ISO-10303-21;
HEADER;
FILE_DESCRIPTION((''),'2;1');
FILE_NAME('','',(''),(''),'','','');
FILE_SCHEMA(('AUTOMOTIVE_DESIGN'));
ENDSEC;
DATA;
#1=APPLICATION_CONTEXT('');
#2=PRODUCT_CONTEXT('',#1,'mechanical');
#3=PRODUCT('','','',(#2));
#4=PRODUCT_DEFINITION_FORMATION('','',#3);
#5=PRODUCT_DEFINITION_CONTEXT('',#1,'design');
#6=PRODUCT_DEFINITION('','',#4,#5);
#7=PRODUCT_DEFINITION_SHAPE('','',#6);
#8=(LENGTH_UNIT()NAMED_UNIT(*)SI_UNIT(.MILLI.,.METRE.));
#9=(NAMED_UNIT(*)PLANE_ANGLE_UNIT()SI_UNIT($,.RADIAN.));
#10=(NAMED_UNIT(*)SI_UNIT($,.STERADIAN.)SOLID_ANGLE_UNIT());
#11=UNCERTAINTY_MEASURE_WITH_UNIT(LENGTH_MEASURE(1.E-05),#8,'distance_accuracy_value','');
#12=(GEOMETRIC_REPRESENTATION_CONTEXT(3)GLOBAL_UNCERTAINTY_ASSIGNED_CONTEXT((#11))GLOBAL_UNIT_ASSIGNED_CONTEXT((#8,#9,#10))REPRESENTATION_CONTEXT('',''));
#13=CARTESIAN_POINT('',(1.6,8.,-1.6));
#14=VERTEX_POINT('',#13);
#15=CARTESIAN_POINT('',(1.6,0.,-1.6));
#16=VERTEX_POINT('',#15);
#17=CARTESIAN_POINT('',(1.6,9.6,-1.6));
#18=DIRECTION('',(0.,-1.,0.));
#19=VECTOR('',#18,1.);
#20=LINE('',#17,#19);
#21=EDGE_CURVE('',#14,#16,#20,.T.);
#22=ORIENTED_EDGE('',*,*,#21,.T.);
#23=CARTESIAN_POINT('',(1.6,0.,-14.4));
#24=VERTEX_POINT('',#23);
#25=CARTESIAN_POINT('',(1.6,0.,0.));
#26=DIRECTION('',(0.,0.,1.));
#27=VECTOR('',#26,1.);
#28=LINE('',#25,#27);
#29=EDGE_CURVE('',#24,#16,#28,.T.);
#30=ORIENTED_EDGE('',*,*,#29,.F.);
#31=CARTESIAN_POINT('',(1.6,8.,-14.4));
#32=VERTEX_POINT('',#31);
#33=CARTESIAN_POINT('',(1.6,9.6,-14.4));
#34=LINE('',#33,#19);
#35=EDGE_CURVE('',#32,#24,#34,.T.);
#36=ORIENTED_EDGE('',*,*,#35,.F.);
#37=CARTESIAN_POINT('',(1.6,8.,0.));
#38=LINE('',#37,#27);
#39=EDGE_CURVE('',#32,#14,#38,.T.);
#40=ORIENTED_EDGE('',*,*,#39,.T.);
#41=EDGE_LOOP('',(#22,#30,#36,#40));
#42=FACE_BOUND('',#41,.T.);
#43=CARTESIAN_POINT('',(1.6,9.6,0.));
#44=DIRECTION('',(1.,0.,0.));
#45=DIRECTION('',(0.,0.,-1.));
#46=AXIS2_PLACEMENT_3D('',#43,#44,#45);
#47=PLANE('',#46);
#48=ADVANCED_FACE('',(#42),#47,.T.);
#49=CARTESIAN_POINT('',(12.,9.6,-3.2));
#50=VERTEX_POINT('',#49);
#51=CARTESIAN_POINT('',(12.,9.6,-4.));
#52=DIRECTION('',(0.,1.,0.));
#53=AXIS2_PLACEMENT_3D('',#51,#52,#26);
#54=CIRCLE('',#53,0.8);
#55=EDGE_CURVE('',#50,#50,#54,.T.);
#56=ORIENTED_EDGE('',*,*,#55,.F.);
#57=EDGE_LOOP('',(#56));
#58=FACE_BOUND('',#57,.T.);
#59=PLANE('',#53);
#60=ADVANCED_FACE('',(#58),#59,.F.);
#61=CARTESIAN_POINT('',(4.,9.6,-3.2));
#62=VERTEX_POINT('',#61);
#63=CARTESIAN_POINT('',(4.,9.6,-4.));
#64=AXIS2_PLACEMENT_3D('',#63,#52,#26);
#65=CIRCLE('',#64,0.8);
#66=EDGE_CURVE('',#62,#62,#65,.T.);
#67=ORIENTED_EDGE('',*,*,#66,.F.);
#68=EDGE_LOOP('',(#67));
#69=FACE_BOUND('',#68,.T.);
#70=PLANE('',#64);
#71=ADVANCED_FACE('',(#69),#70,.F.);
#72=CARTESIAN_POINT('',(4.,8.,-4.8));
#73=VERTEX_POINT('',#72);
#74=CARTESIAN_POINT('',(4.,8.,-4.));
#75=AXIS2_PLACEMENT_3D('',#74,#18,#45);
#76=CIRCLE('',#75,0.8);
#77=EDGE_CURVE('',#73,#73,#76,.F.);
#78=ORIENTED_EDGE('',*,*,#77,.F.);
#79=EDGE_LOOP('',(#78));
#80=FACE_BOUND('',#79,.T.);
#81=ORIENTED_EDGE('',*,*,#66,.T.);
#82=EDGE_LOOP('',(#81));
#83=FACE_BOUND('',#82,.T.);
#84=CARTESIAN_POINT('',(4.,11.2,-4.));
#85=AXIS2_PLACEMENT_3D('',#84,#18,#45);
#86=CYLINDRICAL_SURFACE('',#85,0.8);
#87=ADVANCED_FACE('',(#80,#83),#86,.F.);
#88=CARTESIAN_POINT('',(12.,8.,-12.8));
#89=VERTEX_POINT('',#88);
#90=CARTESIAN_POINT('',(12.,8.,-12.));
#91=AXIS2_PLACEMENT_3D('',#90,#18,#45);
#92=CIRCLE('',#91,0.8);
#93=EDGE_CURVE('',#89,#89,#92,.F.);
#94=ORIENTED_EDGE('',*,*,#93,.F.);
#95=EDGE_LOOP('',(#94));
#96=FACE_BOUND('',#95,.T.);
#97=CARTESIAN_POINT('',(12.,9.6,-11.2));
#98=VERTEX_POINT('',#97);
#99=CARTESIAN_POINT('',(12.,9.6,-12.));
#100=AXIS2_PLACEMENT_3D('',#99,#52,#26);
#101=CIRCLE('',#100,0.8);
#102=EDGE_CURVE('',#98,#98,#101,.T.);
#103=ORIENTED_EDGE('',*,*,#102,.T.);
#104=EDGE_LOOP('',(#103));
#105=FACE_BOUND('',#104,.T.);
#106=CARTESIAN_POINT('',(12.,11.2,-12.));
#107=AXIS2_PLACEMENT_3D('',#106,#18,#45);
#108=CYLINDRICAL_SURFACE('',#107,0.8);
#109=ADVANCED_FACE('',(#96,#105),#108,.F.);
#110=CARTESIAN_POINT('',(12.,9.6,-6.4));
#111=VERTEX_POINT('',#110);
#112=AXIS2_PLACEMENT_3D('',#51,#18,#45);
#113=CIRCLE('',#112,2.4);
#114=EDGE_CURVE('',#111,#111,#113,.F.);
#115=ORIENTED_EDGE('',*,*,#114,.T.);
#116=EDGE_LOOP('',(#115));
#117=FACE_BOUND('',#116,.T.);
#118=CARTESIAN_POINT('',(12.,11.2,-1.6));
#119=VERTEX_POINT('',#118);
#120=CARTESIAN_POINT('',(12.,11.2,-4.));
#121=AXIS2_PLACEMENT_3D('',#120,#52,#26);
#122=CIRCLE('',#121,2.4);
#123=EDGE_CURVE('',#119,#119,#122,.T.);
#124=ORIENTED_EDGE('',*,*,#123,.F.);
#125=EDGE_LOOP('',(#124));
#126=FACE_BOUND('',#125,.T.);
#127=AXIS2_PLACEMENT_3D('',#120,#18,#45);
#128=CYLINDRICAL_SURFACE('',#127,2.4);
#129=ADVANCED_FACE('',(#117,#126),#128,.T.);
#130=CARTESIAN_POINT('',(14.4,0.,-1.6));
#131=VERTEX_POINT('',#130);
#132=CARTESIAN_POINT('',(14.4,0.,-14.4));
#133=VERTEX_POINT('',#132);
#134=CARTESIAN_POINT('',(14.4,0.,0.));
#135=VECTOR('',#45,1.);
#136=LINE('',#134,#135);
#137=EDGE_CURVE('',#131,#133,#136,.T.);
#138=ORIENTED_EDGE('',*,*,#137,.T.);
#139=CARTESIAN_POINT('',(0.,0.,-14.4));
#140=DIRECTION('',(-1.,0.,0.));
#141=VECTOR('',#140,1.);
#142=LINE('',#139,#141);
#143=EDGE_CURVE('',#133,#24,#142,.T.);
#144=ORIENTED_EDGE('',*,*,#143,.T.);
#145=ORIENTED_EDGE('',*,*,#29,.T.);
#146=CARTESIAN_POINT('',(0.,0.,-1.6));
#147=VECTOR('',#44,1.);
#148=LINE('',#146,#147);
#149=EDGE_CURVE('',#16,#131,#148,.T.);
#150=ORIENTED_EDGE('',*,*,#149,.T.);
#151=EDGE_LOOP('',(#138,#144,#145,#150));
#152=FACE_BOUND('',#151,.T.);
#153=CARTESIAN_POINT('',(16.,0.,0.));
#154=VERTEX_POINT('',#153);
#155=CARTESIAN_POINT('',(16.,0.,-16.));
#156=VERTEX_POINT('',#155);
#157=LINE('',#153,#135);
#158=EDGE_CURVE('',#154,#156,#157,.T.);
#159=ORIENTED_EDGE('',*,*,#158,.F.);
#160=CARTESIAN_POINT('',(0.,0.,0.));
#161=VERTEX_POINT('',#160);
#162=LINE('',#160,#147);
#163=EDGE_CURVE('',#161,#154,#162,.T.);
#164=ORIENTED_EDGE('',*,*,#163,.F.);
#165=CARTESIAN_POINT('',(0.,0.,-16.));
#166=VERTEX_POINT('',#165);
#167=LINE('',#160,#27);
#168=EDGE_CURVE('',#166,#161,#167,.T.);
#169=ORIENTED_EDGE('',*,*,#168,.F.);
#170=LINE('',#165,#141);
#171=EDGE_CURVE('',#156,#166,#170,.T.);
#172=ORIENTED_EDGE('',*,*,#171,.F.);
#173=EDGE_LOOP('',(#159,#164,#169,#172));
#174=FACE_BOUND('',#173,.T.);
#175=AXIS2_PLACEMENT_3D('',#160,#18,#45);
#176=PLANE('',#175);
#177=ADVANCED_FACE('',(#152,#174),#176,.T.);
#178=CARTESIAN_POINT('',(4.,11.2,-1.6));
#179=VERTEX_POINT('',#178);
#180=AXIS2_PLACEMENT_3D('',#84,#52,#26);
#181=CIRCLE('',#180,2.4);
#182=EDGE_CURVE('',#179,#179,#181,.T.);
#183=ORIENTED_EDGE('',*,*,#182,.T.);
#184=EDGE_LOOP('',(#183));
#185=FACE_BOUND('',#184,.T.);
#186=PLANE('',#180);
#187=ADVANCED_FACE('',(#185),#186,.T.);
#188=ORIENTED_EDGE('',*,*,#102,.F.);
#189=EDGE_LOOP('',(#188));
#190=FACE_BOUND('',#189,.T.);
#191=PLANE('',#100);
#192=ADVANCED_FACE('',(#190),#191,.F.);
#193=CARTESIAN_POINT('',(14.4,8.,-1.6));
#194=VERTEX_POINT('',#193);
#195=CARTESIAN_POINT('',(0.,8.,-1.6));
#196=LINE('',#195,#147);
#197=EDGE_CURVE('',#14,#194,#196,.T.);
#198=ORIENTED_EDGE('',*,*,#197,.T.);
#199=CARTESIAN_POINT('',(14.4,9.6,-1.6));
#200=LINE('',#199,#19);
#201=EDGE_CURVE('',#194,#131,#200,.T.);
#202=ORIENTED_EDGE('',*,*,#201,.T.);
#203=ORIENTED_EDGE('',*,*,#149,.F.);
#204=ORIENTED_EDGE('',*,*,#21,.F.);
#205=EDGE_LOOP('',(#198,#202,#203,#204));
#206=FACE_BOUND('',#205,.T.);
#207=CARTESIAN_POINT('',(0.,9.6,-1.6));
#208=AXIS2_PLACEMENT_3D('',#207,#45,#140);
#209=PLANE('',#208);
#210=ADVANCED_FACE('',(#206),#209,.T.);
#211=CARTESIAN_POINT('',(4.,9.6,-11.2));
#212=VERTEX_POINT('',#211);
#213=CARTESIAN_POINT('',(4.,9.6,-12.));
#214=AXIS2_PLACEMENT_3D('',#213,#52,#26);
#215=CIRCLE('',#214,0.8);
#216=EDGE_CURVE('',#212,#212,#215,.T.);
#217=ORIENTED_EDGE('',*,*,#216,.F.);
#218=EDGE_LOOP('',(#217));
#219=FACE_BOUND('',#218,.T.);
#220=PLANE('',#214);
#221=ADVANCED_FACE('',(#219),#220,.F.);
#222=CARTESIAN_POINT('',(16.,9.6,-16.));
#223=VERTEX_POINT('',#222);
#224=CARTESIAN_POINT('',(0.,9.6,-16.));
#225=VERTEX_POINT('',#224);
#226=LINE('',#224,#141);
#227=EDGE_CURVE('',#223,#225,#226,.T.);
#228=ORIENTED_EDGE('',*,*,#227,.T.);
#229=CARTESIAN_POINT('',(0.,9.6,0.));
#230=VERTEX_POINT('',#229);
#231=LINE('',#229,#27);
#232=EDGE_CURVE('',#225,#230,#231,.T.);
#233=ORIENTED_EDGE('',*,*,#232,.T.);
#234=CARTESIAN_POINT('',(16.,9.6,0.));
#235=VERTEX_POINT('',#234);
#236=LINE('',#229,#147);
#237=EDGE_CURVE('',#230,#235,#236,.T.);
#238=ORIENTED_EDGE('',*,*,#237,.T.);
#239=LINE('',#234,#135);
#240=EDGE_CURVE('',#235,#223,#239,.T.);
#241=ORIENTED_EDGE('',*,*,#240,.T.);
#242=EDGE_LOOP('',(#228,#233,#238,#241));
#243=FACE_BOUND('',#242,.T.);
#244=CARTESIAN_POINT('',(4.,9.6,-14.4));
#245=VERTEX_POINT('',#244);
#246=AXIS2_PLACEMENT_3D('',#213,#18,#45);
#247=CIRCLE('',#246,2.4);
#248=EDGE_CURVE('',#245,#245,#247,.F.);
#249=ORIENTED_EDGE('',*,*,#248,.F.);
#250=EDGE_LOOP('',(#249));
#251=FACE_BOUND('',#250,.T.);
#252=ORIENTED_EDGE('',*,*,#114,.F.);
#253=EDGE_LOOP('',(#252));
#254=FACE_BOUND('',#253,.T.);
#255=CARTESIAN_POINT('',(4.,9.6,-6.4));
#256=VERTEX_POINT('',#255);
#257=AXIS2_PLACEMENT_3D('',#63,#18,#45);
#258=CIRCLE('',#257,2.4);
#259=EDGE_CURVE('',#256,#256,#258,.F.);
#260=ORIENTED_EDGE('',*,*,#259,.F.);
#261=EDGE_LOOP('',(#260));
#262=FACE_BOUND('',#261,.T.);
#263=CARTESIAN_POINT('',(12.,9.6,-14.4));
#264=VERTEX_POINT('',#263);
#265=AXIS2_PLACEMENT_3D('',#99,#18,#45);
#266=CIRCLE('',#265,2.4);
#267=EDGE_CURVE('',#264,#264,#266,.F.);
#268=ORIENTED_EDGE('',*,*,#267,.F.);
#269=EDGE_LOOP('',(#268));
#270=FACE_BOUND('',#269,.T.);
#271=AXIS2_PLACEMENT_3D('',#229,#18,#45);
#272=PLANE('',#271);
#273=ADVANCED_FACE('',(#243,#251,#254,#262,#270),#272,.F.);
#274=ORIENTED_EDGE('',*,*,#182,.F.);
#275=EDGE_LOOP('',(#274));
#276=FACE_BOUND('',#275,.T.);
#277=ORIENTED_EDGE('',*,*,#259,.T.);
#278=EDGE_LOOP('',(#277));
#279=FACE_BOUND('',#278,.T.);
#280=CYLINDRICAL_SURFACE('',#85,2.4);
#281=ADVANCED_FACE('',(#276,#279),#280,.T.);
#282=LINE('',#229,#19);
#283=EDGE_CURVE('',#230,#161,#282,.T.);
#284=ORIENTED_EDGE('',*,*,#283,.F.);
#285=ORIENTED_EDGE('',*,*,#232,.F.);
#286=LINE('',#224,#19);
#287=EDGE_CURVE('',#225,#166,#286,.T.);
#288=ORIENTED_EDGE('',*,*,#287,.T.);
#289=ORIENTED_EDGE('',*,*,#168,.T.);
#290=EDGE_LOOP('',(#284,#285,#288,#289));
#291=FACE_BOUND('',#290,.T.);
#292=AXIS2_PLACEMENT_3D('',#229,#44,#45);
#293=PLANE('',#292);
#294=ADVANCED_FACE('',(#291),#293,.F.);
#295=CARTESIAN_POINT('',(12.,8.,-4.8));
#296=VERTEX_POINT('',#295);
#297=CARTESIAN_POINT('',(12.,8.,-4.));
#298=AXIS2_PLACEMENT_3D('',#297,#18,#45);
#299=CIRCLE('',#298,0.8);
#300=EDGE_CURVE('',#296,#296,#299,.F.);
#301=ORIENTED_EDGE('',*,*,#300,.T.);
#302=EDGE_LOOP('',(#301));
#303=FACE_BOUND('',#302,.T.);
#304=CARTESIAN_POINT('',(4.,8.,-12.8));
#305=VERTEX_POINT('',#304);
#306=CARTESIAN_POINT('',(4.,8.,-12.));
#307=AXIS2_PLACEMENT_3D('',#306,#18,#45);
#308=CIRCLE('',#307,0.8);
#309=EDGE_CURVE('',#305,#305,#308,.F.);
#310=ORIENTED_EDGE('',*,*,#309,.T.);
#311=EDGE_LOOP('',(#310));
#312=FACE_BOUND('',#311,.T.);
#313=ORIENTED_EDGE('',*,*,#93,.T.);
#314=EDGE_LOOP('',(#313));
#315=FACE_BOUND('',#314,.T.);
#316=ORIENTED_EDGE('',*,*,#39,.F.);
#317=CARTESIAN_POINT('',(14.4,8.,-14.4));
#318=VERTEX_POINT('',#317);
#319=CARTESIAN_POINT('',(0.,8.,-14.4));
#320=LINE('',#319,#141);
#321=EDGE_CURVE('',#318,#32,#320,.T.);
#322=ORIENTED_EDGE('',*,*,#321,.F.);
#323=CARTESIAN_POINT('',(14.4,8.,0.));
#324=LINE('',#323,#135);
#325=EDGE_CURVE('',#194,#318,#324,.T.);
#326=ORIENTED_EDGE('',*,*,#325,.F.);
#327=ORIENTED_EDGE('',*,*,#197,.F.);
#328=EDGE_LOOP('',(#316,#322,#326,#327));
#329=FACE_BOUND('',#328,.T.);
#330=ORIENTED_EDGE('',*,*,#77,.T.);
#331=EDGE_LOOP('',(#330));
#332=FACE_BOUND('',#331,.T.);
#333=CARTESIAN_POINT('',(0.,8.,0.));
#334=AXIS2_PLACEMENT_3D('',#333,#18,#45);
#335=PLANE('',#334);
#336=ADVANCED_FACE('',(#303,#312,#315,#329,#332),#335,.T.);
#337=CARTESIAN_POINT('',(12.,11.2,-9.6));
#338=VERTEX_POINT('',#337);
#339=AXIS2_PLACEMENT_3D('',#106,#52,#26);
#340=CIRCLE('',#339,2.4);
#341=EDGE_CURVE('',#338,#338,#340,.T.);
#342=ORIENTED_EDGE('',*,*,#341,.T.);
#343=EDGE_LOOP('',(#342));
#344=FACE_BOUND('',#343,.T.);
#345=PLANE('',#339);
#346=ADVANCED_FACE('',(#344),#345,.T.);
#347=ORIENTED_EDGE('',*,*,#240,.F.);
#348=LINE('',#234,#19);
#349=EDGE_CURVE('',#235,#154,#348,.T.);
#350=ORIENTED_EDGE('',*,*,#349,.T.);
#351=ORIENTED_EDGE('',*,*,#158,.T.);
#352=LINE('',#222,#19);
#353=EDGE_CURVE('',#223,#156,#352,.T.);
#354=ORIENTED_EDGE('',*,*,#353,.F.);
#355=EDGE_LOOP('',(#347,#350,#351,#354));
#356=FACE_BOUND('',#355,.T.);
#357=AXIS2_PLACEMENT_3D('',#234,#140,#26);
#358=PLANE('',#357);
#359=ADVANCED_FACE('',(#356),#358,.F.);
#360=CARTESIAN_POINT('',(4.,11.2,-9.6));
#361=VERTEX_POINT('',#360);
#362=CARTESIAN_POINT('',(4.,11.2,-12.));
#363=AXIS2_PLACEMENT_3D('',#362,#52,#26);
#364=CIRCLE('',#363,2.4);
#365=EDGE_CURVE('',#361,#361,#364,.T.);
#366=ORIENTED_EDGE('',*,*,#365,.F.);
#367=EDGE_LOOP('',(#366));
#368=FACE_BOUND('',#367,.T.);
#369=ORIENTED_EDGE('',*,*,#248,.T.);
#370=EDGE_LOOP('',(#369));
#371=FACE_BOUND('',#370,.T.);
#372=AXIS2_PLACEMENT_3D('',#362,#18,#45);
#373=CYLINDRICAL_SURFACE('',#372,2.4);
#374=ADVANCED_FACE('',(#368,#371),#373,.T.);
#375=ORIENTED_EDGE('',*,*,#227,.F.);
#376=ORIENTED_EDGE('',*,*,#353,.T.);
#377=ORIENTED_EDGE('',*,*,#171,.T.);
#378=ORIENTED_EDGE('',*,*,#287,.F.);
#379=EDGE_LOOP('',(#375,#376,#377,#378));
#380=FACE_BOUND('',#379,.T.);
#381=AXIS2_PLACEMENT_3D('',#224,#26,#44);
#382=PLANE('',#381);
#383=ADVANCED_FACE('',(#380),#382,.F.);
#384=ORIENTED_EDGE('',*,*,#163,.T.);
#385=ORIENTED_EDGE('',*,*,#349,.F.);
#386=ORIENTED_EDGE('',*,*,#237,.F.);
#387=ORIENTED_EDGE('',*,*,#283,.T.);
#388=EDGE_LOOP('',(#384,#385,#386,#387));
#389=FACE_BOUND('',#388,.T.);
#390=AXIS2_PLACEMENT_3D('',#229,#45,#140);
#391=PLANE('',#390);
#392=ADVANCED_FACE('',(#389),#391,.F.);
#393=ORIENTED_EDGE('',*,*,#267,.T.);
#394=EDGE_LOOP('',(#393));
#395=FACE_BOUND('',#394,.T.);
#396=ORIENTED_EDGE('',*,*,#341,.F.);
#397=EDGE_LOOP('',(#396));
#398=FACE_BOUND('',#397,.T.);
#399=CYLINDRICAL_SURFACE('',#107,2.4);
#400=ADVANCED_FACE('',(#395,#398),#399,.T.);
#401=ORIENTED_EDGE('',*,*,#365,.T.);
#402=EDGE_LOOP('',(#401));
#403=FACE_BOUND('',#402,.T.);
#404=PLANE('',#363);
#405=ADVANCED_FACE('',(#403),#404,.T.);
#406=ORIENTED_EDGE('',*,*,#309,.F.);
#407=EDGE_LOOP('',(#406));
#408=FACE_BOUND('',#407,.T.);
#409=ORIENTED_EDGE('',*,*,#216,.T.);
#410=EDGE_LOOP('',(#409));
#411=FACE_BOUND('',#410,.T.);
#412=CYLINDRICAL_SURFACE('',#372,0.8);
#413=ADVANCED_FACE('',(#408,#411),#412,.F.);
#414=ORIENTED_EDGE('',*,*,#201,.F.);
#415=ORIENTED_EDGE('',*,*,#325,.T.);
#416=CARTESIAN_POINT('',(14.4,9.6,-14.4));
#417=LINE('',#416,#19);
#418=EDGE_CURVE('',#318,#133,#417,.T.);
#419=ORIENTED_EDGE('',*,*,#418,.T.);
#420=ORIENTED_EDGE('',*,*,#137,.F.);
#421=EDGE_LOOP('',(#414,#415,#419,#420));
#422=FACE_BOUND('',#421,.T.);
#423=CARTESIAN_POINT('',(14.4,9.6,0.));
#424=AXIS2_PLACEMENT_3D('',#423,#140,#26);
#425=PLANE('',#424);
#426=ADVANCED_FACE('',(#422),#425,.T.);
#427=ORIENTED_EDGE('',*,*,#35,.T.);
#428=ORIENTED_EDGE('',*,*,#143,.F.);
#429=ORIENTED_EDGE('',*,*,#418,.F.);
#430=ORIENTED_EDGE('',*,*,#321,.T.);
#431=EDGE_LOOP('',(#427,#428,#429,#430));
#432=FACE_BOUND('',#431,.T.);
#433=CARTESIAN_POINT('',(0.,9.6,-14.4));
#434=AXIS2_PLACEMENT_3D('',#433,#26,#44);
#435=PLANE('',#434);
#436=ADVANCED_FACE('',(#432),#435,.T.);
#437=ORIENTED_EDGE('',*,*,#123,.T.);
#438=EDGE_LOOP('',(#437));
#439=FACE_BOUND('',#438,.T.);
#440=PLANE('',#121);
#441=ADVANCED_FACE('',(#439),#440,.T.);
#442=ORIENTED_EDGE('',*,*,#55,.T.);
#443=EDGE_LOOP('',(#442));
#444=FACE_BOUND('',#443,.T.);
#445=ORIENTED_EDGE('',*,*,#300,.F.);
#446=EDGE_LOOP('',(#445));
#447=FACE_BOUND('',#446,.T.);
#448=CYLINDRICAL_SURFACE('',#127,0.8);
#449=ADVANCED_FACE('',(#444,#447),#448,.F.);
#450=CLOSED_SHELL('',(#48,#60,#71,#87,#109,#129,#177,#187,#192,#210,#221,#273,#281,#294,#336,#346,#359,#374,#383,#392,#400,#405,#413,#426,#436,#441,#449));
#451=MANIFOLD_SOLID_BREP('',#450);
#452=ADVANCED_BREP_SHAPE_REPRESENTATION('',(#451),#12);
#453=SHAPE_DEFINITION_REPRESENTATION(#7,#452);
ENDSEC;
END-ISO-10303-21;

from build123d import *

# Parameters (mm, degrees)
SKETCH1_W            = 16
SKETCH1_H            = 16
BOSS_EXTRUDE1_DEPTH  = 9.6
SKETCH2_R            = 2.4
BOSS_EXTRUDE2_DEPTH  = 1.6
LPATTERN1_COUNT      = 2
LPATTERN1_PITCH      = 8
LPATTERN1_COUNT_DIR2 = 4
LPATTERN1_PITCH_DIR2 = 8
SHELL1_T             = -1.6


with BuildPart() as part:
    # Sketch1 → Boss-Extrude1 (new body)
    with BuildSketch(Plane(origin=(0, 0, 0), x_dir=(1, 0, 0), z_dir=(0, 1, 0))):
        with Locations((8, 8)):
            Rectangle(SKETCH1_W, SKETCH1_H)
    extrude(amount=BOSS_EXTRUDE1_DEPTH)

    # Sketch2 → Boss-Extrude2 (add)
    with BuildSketch(Plane(origin=(0, 9.6, 0), x_dir=(1, 0, 0), z_dir=(0, 1, 0))):
        with Locations(Location((12, 4, 0), (0, 0, 90))):
            Circle(SKETCH2_R)
    boss_extrude2 = extrude(amount=BOSS_EXTRUDE2_DEPTH)

    # LPattern1: Boss-Extrude2 2 × 4, 4 skipped
    with Locations(*[(-i * LPATTERN1_PITCH, 0, -j * LPATTERN1_PITCH_DIR2) for i in range(LPATTERN1_COUNT) for j in range(LPATTERN1_COUNT_DIR2) if (i, j) not in ((0, 0), (0, 2), (0, 3), (1, 2), (1, 3))]):
        add(boss_extrude2)

    # Shell1
    shell1_openings = [part.faces().sort_by_distance(p)[0] for p in [
        (8, 0, -8),
    ]]
    offset(amount=SHELL1_T, openings=shell1_openings, kind=Kind.INTERSECTION)


solid = part.part
